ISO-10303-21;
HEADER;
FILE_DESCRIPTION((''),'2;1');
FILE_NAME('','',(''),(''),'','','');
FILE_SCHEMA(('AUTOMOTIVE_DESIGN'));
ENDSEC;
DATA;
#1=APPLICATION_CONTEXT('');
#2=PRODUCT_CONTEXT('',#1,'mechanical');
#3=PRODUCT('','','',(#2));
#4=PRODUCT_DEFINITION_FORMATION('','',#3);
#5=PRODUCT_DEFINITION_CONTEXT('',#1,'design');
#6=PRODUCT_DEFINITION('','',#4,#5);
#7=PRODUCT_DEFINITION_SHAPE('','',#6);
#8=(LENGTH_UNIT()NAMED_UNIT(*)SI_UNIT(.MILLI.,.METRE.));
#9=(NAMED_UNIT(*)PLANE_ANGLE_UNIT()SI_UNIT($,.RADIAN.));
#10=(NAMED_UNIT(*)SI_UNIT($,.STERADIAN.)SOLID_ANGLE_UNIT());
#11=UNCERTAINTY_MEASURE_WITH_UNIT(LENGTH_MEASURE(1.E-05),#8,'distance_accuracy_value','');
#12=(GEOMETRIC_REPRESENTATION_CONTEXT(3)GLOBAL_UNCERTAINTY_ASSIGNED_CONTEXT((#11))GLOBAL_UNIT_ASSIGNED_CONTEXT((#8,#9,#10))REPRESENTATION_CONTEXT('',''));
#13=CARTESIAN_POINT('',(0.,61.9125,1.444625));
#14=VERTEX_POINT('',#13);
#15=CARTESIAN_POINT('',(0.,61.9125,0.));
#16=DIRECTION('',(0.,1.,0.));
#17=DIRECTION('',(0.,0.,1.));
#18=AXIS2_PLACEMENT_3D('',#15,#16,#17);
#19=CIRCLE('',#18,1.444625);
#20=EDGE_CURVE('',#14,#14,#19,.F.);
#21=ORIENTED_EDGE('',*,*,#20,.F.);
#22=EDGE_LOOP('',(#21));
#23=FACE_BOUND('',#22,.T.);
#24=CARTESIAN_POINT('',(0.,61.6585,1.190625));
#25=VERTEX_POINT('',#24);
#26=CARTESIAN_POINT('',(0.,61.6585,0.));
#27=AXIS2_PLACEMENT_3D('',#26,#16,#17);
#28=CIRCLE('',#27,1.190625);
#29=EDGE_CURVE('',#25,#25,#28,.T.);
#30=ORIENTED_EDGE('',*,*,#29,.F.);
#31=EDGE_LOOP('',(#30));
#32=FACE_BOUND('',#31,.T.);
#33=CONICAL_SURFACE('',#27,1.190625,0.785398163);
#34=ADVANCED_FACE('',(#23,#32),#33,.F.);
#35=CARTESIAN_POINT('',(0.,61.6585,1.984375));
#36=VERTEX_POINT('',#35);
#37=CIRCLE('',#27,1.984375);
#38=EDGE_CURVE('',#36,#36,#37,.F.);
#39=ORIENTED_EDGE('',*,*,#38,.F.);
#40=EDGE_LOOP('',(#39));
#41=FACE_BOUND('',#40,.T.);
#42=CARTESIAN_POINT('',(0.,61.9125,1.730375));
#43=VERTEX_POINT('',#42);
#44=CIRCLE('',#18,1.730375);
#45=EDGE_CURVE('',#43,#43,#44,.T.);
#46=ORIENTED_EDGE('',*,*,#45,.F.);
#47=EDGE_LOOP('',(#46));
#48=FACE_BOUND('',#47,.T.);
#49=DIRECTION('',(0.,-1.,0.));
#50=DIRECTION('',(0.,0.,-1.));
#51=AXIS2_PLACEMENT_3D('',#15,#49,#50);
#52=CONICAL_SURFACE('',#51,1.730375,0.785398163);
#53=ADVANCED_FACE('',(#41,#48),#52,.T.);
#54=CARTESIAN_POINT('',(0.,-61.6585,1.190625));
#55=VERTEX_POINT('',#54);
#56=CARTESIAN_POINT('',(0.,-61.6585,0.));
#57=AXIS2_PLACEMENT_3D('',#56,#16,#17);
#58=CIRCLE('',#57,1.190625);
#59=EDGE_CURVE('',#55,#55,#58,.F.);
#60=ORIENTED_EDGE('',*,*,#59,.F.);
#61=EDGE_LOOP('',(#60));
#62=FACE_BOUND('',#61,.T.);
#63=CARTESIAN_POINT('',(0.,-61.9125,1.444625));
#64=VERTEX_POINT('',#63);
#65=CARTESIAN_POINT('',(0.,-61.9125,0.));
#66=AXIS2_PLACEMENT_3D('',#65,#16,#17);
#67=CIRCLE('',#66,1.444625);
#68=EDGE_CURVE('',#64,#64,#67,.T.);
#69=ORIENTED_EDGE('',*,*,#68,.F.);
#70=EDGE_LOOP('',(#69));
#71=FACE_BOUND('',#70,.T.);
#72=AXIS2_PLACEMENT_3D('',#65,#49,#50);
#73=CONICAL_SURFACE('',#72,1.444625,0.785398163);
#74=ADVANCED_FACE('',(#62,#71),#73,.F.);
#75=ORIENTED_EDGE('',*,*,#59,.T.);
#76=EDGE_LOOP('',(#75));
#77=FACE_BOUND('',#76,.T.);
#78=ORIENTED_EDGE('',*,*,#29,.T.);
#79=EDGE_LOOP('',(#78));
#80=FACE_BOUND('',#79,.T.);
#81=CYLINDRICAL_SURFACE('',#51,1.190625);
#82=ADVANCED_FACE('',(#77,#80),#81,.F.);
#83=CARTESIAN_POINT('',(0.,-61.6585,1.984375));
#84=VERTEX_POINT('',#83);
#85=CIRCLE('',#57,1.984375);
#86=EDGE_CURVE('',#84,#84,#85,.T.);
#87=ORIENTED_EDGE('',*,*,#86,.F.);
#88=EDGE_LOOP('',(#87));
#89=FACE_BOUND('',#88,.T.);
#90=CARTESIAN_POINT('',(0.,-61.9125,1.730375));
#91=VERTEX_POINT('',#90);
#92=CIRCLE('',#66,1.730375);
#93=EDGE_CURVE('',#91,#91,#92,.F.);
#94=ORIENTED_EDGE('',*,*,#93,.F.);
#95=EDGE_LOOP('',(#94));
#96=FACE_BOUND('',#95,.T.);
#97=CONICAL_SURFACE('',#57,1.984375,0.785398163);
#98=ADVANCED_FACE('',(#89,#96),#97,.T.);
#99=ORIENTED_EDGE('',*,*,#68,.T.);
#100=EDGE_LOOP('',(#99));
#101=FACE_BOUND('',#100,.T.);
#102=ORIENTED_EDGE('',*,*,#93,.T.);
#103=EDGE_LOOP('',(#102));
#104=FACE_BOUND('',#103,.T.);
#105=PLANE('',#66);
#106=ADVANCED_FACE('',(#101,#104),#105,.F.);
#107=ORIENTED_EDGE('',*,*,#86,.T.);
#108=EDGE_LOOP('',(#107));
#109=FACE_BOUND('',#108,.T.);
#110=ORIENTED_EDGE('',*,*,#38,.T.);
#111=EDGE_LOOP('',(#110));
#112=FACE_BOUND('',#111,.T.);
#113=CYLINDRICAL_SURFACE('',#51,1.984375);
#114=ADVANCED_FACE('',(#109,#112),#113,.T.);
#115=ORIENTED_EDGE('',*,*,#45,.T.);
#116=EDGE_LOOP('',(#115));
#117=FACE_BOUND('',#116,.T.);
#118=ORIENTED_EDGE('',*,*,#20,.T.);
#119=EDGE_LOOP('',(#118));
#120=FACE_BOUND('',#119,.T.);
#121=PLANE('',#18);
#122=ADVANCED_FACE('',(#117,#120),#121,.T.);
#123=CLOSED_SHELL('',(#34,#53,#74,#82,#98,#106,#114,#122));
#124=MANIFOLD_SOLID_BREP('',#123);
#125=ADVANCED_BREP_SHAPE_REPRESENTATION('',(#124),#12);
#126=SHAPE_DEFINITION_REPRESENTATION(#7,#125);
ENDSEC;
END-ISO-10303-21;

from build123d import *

# Parameters (mm, degrees)
SKETCH1_R           = 1.984375
SKETCH1_R_2         = 1.190625
BOSS_EXTRUDE1_DEPTH = 61.9125
CHAMFER1_SIZE       = 0.254


with BuildPart() as part:
    # Sketch1 → Boss-Extrude1 (new body, symmetric)
    with BuildSketch(Plane(origin=(0, 0, 0), x_dir=(1, 0, 0), z_dir=(0, 1, 0))):
        Circle(SKETCH1_R)
        Circle(SKETCH1_R_2, mode=Mode.SUBTRACT)
    extrude(amount=BOSS_EXTRUDE1_DEPTH, both=True)

    # Chamfer1
    chamfer1_edges = [part.edges().sort_by_distance(p)[0] for p in [
        (-1.984375, -61.9125, 0),
        (-1.984375, 61.9125, 0),
        (-1.190625, -61.9125, 0),
        (-1.190625, 61.9125, 0),
    ]]
    chamfer(chamfer1_edges, length=CHAMFER1_SIZE)


solid = part.part
